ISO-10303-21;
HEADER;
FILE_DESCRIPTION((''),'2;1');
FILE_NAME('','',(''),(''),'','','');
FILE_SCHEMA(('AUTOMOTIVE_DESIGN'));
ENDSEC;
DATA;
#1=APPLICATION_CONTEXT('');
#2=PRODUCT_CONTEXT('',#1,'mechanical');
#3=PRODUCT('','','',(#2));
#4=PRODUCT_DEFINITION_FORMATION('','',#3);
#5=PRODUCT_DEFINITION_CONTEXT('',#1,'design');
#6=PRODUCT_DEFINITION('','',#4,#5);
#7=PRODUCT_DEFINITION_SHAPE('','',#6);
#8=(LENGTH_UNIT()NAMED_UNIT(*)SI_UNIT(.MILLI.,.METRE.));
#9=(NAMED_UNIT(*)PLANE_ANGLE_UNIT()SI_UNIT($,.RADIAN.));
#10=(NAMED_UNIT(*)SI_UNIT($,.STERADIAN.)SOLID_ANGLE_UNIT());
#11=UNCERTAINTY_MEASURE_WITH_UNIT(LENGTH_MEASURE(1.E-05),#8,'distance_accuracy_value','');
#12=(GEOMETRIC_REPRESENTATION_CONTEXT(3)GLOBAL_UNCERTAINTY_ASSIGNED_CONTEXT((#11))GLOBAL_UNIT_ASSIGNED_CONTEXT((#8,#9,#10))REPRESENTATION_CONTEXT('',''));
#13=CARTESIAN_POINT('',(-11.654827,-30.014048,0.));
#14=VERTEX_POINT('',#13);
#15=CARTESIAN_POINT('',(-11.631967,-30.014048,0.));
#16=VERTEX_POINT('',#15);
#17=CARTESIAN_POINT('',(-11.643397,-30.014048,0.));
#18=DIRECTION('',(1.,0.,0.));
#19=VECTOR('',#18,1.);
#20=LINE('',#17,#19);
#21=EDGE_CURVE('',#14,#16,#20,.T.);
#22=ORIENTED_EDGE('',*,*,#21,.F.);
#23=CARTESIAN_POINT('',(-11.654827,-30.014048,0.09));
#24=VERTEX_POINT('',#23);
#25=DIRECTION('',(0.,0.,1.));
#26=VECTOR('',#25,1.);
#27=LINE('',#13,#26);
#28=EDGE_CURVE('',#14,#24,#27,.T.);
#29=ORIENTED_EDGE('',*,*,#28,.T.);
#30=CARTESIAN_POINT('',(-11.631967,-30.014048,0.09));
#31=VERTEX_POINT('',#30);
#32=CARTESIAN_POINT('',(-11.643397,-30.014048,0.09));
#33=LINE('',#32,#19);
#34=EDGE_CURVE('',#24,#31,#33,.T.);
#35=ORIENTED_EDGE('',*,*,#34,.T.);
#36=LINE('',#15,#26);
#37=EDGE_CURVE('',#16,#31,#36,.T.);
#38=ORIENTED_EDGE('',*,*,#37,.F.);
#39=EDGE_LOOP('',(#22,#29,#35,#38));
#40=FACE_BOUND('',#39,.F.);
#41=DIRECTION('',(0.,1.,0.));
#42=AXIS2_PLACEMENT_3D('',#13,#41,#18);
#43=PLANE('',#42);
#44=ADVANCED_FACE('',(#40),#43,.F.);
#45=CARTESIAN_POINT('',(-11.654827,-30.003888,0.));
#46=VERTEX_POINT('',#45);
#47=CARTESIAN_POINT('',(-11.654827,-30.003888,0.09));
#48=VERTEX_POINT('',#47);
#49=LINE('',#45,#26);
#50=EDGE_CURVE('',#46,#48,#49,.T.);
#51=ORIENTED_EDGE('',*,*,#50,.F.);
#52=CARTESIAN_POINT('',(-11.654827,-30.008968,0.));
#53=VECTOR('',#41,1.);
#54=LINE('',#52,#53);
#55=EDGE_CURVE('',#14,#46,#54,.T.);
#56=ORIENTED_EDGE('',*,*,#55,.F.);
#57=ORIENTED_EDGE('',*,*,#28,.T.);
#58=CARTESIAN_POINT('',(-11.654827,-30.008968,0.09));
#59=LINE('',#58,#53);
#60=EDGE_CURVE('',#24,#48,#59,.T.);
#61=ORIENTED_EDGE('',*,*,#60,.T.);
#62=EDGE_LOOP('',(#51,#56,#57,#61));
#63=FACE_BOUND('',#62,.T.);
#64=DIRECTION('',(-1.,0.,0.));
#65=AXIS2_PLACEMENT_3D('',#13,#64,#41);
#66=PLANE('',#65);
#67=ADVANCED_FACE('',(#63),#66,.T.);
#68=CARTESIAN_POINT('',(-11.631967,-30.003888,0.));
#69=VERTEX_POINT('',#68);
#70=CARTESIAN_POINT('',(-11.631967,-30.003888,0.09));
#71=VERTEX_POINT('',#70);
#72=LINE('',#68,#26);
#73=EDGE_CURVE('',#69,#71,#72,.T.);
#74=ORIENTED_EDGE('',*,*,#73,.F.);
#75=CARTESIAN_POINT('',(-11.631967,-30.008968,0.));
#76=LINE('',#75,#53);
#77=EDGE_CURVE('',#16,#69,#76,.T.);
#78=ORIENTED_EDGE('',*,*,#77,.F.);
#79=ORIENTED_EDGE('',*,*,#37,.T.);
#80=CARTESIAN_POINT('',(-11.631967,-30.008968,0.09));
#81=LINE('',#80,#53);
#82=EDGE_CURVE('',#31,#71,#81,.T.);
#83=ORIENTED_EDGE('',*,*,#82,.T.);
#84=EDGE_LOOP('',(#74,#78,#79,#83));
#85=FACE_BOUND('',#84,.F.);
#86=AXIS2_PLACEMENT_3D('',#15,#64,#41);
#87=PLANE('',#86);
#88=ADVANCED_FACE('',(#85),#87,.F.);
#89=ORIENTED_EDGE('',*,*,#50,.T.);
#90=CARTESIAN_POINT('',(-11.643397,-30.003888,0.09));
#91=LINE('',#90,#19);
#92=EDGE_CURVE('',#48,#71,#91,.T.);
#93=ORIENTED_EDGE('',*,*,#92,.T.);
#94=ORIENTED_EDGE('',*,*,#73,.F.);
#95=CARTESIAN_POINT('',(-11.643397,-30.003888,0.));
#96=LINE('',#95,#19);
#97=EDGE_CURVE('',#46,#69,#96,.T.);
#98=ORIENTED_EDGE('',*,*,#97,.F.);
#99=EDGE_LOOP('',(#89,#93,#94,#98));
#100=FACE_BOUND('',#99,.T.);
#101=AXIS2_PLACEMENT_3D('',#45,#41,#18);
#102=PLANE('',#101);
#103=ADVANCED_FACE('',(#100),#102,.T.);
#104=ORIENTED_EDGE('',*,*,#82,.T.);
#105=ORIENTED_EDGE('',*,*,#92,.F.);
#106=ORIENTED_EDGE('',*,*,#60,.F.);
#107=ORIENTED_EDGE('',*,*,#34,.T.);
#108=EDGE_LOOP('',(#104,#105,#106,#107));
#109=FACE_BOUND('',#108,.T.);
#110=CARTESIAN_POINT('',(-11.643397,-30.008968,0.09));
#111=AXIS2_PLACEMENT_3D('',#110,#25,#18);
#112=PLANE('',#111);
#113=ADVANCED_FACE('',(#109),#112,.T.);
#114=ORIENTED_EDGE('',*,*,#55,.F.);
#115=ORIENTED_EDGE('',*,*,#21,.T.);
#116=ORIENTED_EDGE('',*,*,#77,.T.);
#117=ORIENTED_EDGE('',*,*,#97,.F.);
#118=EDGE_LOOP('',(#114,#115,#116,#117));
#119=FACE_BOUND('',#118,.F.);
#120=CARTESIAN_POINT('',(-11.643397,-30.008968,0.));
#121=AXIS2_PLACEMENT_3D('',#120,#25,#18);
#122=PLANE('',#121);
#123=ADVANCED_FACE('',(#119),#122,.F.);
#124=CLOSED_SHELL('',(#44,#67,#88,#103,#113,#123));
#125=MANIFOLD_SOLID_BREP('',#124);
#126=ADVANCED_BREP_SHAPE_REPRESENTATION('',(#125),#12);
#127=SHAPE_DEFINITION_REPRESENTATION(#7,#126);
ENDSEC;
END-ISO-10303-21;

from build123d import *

# Parameters (mm, degrees)
RECTANGLE_W   = 0.02286
RECTANGLE_H   = 0.01016
EXTRUDE_DEPTH = 0.09


with BuildPart() as part:
    # Rectangle → Extrude (new body)
    with BuildSketch(Plane(origin=(-11.654827, -30.014048, 0), x_dir=(1, 0, 0), z_dir=(0, 0, 1))):
        with Locations((0.01143, 0.00508)):
            Rectangle(RECTANGLE_W, RECTANGLE_H)
    extrude(amount=EXTRUDE_DEPTH)


solid = part.part
